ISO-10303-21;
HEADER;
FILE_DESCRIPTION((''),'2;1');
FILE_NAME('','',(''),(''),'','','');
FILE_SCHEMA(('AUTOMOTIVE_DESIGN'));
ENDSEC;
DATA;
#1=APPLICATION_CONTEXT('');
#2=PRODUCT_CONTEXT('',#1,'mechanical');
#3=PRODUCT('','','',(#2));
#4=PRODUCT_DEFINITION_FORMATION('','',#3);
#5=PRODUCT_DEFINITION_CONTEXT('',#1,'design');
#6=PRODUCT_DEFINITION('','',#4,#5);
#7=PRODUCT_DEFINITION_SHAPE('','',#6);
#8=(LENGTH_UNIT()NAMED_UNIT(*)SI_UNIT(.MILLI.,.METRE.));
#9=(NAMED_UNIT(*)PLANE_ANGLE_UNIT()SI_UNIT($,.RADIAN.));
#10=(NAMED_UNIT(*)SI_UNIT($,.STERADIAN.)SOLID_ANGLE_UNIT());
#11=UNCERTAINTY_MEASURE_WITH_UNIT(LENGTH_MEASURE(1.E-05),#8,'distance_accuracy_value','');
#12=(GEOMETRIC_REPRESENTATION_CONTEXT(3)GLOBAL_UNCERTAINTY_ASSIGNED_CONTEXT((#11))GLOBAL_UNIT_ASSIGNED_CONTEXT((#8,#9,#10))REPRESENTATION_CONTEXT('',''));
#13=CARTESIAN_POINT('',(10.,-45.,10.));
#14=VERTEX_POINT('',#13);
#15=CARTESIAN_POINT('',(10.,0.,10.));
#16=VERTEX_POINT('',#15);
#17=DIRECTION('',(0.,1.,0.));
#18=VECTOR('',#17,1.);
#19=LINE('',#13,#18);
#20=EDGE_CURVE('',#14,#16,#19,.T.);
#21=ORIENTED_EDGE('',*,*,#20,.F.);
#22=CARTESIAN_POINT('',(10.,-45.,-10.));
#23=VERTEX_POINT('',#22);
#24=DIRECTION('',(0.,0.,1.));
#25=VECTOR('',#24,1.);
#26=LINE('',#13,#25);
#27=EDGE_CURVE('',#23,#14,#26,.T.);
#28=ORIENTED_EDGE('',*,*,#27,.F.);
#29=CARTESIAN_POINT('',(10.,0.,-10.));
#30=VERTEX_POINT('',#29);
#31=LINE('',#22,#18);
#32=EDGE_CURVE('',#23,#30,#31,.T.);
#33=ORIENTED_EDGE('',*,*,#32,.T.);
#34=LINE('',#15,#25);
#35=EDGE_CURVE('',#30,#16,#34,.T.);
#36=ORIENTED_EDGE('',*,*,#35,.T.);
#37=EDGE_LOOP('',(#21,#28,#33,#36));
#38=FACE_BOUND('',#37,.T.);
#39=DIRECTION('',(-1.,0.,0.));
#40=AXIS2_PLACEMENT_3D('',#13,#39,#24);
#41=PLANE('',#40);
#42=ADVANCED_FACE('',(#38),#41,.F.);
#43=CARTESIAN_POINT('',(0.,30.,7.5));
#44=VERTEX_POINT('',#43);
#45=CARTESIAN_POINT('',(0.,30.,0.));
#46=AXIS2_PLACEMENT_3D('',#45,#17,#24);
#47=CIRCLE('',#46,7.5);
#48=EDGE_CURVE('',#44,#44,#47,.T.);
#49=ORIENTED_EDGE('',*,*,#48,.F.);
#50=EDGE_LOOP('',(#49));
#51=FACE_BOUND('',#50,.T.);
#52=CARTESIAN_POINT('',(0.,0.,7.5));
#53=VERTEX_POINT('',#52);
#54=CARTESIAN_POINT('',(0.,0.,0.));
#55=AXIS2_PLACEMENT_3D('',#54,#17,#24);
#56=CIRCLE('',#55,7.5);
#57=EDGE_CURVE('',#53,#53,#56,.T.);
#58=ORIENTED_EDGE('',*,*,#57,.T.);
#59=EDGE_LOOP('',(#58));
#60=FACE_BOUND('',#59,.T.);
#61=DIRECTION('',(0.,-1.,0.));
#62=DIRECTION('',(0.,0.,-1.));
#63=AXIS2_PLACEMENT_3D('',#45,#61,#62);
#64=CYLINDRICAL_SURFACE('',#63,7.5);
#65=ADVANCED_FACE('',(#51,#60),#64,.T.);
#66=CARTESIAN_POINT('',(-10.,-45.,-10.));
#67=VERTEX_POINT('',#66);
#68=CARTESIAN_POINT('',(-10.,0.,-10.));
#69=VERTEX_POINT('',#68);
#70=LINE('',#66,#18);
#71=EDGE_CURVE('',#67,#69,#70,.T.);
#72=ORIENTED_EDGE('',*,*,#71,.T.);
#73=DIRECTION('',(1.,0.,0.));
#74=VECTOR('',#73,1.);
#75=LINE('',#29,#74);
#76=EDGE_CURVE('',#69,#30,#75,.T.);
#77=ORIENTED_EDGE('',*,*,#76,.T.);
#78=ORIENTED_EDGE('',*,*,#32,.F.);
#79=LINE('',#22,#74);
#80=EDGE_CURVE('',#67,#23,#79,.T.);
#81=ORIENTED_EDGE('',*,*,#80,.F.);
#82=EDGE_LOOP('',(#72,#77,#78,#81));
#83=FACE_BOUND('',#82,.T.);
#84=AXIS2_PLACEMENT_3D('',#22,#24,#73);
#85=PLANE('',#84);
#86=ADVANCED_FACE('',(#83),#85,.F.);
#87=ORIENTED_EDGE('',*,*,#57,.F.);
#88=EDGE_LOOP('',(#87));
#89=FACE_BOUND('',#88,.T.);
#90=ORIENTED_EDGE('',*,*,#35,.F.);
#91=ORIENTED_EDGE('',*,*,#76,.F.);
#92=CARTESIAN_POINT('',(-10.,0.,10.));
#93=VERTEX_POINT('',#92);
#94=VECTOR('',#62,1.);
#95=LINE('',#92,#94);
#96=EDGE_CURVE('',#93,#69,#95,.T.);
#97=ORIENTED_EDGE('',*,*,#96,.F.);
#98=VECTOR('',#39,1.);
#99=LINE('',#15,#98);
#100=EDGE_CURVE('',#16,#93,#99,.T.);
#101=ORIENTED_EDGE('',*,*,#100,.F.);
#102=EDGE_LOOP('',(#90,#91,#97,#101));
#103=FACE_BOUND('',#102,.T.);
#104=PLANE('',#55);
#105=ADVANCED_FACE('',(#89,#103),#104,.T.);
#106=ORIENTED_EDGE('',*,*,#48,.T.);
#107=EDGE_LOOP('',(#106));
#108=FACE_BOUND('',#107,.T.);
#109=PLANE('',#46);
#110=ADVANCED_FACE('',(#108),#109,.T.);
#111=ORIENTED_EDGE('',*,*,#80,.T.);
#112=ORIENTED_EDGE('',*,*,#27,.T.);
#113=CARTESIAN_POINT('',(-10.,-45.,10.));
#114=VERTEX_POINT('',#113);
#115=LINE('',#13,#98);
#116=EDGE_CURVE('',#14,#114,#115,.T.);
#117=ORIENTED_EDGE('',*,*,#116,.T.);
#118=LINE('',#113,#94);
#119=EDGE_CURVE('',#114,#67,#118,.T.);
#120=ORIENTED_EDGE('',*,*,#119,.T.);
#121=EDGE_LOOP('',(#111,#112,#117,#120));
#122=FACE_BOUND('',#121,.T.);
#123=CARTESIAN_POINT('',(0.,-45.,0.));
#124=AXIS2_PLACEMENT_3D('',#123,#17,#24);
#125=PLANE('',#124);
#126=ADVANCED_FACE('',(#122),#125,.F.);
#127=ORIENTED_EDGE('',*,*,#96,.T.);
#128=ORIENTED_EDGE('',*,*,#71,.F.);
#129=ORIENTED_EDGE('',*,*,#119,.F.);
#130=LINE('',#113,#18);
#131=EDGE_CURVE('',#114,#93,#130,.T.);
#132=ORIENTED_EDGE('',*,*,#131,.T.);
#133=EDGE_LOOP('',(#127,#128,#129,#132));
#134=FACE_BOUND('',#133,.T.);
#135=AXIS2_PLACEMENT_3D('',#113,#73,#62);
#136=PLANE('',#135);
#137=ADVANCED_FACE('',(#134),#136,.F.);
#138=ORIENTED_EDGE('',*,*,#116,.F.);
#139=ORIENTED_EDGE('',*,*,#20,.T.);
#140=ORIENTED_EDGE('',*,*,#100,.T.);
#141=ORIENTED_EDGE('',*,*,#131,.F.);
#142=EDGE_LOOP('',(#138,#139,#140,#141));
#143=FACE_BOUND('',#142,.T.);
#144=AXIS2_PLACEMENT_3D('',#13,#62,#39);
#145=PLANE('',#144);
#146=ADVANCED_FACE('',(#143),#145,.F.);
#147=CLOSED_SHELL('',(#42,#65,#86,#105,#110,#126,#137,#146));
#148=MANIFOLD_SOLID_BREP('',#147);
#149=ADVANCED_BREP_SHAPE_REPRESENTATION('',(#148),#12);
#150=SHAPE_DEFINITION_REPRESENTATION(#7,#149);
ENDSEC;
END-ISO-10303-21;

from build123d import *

# Parameters (mm, degrees)
SKETCH_3_R      = 7.5
EXTRUDE_3_DEPTH = 30
SKETCH_4_W      = 20
SKETCH_4_H      = 20
EXTRUDE_4_DEPTH = 45


with BuildPart() as part:
    # ｽｹｯﾁ3 → ﾎﾞｽ - 押し出し3 (new body)
    with BuildSketch(Plane(origin=(0, 0, 0), x_dir=(1, 0, 0), z_dir=(0, 1, 0))):
        with Locations(Location((0, 0, 0), (0, 0, 270))):
            Circle(SKETCH_3_R)
    extrude(amount=EXTRUDE_3_DEPTH)

    # ｽｹｯﾁ4 → ﾎﾞｽ - 押し出し4 (add)
    with BuildSketch(Plane.XZ):
        Rectangle(SKETCH_4_W, SKETCH_4_H)
    extrude(amount=EXTRUDE_4_DEPTH)


solid = part.part
